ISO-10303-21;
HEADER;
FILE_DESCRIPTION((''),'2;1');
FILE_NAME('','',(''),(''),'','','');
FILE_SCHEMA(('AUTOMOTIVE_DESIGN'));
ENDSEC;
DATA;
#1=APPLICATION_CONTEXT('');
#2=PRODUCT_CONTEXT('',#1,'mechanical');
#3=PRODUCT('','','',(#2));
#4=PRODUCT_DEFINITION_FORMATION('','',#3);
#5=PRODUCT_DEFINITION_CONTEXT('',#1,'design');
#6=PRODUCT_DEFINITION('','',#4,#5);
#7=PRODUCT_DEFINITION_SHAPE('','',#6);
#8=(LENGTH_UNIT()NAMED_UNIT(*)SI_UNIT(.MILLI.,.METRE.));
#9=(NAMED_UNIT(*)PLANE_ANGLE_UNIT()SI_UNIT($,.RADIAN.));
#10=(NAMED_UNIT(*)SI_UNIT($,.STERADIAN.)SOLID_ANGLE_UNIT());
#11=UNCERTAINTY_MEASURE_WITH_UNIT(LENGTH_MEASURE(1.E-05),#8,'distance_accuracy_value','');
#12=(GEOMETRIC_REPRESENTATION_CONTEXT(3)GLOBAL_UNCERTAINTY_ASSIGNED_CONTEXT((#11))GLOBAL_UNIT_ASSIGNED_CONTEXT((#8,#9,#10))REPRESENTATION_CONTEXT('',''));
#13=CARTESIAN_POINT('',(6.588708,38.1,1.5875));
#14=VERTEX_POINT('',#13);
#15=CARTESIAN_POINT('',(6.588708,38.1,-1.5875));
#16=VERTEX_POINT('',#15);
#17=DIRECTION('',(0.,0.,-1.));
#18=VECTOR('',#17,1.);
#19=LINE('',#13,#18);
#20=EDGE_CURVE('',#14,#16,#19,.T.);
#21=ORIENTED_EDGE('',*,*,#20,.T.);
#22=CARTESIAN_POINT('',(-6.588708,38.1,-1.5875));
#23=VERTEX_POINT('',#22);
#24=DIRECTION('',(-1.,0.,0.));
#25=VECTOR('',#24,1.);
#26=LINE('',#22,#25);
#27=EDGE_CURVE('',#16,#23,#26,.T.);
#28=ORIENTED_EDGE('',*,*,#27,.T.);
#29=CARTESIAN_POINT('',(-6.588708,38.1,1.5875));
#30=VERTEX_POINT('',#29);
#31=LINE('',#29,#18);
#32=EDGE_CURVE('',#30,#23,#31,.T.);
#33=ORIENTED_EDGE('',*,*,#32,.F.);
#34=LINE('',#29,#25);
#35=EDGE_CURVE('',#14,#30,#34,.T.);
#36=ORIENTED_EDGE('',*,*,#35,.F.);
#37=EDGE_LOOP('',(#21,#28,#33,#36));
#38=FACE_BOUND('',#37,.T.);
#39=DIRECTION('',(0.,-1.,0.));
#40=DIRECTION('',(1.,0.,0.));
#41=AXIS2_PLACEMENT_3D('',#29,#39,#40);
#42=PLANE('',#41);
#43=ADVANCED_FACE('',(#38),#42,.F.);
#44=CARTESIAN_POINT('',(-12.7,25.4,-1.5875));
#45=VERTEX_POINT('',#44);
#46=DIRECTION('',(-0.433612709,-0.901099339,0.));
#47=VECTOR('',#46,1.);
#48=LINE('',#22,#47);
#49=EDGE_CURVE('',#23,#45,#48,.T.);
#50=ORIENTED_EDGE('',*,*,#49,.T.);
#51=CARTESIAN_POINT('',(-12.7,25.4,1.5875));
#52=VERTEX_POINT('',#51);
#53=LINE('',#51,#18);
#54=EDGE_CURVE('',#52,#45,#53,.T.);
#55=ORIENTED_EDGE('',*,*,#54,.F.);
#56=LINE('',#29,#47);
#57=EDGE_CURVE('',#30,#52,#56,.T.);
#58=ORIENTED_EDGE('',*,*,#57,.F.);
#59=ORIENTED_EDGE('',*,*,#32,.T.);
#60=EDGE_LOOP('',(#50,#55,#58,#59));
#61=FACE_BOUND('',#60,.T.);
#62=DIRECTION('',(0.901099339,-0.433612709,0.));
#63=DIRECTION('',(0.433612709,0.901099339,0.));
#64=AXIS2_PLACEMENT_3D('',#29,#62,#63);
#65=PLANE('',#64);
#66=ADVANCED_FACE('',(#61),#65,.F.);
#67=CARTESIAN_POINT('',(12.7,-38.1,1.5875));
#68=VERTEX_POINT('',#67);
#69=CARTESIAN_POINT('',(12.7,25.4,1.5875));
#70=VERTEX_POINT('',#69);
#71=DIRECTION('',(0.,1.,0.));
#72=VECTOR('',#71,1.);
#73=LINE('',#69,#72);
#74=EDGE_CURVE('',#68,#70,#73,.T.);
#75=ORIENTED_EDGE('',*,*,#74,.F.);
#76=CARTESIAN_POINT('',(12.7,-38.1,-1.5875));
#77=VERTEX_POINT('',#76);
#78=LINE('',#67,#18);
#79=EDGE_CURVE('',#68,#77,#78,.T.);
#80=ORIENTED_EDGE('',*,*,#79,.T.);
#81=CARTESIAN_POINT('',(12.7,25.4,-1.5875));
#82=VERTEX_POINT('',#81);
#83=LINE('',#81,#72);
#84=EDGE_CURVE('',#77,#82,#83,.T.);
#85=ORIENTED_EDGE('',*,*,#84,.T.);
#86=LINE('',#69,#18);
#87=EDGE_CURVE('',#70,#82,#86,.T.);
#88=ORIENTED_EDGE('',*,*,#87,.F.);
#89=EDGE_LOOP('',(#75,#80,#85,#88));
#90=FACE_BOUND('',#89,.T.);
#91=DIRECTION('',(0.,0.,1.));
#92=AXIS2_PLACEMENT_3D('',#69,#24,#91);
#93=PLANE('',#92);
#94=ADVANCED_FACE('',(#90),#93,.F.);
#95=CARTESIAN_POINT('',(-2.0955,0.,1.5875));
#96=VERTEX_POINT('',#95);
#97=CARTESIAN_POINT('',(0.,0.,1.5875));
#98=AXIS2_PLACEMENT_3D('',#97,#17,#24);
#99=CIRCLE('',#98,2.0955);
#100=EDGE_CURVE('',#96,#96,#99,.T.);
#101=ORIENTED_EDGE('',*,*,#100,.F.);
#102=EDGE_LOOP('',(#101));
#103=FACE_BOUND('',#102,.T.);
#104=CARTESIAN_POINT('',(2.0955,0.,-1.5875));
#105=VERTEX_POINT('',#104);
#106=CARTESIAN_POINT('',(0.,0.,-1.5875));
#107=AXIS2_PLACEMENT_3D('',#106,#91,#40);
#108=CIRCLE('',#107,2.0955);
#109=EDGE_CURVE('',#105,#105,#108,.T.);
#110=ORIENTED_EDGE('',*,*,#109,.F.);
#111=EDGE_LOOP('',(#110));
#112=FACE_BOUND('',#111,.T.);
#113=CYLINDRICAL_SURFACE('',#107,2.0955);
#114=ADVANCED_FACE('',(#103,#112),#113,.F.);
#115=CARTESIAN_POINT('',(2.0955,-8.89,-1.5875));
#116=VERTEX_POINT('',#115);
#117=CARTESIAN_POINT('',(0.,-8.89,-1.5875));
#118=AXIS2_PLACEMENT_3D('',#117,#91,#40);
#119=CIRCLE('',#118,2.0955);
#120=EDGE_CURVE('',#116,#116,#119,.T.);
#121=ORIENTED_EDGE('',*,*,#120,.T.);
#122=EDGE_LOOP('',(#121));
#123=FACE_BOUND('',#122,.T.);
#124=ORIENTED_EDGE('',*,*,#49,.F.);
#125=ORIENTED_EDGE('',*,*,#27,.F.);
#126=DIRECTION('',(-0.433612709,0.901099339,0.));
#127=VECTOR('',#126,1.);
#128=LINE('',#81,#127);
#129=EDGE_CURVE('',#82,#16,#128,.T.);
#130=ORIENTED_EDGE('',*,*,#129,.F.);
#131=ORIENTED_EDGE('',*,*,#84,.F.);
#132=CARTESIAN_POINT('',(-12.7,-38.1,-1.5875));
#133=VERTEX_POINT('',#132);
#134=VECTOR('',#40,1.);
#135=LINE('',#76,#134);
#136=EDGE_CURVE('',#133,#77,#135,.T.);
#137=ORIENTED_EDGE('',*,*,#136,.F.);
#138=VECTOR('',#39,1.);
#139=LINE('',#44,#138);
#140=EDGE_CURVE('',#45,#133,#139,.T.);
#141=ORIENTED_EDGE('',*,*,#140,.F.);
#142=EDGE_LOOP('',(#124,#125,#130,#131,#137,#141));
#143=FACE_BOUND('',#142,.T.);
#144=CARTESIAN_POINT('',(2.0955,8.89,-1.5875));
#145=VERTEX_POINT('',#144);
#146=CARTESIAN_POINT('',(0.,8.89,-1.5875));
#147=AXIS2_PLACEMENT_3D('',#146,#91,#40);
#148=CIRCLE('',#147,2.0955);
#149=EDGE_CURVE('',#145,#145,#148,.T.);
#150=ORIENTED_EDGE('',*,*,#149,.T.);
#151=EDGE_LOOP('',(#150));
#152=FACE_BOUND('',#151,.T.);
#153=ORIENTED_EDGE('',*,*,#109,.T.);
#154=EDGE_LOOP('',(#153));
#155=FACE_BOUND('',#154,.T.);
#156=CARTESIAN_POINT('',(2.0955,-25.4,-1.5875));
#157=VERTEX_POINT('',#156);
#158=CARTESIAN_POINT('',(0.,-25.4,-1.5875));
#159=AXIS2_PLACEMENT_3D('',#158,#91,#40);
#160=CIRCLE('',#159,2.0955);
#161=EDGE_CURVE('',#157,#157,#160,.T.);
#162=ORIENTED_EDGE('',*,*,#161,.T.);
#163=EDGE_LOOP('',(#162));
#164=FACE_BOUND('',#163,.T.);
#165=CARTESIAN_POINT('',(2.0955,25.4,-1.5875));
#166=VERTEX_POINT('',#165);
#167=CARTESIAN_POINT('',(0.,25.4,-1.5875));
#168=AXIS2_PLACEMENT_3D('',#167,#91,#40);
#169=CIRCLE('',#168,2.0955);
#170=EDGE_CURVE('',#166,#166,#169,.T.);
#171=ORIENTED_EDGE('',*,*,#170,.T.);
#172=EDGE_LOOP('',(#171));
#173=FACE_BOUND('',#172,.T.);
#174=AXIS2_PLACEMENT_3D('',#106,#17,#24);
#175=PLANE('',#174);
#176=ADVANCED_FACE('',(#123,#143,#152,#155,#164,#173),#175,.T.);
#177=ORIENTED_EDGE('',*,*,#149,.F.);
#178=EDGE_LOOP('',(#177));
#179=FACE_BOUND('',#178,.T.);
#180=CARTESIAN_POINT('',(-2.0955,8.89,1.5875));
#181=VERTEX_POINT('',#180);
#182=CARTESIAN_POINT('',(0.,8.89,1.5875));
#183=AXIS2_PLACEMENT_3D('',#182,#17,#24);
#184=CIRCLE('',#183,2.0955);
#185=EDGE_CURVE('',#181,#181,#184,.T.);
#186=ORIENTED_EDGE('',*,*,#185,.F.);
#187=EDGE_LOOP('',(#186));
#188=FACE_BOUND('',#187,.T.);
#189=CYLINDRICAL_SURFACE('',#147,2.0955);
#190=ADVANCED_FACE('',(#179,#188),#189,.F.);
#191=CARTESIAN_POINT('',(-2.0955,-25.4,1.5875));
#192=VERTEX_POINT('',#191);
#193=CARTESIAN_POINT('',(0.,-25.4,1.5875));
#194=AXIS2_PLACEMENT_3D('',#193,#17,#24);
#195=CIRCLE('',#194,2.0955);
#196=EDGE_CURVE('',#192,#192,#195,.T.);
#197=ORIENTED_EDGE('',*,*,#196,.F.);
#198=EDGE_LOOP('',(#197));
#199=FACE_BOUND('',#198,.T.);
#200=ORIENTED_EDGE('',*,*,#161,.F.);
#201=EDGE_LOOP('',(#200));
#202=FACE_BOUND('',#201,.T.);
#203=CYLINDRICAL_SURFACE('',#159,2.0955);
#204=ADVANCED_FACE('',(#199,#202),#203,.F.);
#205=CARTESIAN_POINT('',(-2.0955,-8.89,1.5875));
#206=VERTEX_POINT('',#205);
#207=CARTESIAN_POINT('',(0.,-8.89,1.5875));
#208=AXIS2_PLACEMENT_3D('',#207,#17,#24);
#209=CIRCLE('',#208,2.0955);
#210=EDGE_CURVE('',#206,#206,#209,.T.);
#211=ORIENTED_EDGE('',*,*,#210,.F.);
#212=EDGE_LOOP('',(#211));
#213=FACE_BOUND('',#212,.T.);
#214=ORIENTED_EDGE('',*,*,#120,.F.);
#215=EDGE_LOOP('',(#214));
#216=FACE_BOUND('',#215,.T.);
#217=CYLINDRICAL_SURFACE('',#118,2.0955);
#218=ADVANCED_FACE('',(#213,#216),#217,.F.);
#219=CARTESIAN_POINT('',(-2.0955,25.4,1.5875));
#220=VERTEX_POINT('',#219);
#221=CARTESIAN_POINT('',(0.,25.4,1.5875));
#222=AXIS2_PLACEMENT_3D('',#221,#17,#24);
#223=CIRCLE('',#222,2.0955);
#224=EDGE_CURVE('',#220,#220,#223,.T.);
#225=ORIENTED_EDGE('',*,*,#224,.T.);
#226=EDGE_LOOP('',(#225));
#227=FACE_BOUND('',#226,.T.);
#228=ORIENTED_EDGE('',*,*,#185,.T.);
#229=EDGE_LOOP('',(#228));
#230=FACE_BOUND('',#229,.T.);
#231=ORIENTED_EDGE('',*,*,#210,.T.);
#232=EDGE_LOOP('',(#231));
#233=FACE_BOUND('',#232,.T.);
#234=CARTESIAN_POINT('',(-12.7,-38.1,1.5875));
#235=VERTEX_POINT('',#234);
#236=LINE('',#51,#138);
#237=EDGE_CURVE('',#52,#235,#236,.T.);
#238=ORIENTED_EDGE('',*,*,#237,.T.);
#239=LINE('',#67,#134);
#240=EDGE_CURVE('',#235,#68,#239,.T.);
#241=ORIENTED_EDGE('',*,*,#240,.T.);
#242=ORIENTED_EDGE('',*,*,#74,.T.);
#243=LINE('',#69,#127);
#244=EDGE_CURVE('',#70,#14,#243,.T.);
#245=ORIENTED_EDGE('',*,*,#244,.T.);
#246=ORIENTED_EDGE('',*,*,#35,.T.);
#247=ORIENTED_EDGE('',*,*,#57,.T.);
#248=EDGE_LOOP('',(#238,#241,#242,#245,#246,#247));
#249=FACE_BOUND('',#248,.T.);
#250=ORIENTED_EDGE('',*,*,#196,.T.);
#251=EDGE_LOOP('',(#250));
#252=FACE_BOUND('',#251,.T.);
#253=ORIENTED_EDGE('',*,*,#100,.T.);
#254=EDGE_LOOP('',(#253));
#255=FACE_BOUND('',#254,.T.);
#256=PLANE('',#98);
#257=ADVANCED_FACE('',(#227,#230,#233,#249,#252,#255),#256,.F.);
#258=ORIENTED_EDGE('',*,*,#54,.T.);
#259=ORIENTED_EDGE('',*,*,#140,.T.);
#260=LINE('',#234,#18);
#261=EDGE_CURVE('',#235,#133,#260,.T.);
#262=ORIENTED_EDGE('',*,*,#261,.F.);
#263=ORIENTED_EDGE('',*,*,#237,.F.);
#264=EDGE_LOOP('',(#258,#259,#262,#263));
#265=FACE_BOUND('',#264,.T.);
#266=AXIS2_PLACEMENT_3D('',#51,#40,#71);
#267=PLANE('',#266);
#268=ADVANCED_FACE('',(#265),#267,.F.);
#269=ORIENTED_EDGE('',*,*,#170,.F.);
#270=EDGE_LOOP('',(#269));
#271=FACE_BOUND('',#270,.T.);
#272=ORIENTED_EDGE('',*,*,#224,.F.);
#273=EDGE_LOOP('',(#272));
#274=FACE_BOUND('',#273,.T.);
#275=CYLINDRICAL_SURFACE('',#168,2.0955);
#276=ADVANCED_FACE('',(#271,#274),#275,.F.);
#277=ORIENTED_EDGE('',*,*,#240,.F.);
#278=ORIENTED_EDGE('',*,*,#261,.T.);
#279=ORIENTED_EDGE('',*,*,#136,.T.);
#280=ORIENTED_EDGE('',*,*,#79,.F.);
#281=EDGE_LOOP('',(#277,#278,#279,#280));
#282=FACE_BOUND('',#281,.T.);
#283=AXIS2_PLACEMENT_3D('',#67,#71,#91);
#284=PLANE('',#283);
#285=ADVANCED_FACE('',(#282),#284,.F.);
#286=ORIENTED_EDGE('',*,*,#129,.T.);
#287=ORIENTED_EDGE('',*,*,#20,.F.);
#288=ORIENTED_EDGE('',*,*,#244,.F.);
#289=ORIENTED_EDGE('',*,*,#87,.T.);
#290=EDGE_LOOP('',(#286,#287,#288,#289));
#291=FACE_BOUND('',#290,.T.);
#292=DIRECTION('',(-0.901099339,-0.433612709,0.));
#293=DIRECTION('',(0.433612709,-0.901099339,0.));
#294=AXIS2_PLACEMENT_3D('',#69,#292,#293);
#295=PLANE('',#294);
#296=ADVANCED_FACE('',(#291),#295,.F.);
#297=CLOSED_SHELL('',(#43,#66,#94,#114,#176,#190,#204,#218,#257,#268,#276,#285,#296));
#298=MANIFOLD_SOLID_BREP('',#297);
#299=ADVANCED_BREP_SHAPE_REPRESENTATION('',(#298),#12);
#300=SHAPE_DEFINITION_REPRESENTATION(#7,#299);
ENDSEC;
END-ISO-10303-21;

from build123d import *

# Parameters (mm, degrees)
BOSS_EXTRUDE1_DEPTH     = 1.5875
CUT_EXTRUDE1_DEPTH      = 41.286233691
CUT_EXTRUDE1_DEPTH_BACK = 41.286233691
SKETCH2_R               = 2.0955


with BuildPart() as part:
    # Sketch1 → Boss-Extrude1 (new, symmetric)
    with BuildSketch(Plane.XY):
        Polygon((12.7, 25.4), (6.588707745, 38.1), (-6.588707745, 38.1), (-12.7, 25.4), (-12.7, -38.1), (12.7, -38.1), align=None)
    extrude(amount=BOSS_EXTRUDE1_DEPTH, both=True)

    # Sketch2 → Cut-Extrude1 (cut, two sides: drawn at the far end of the back side and taken through both)
    with BuildSketch(Plane.XY.offset(1.5875).offset(-CUT_EXTRUDE1_DEPTH_BACK)):
        with Locations((0, -25.4)):
            Circle(SKETCH2_R)
        Circle(SKETCH2_R)
        with Locations((0, 25.4)):
            Circle(SKETCH2_R)
        with Locations((0, -8.89)):
            Circle(SKETCH2_R)
        with Locations((0, 8.89)):
            Circle(SKETCH2_R)
    extrude(amount=CUT_EXTRUDE1_DEPTH + CUT_EXTRUDE1_DEPTH_BACK, mode=Mode.SUBTRACT)


solid = part.part
